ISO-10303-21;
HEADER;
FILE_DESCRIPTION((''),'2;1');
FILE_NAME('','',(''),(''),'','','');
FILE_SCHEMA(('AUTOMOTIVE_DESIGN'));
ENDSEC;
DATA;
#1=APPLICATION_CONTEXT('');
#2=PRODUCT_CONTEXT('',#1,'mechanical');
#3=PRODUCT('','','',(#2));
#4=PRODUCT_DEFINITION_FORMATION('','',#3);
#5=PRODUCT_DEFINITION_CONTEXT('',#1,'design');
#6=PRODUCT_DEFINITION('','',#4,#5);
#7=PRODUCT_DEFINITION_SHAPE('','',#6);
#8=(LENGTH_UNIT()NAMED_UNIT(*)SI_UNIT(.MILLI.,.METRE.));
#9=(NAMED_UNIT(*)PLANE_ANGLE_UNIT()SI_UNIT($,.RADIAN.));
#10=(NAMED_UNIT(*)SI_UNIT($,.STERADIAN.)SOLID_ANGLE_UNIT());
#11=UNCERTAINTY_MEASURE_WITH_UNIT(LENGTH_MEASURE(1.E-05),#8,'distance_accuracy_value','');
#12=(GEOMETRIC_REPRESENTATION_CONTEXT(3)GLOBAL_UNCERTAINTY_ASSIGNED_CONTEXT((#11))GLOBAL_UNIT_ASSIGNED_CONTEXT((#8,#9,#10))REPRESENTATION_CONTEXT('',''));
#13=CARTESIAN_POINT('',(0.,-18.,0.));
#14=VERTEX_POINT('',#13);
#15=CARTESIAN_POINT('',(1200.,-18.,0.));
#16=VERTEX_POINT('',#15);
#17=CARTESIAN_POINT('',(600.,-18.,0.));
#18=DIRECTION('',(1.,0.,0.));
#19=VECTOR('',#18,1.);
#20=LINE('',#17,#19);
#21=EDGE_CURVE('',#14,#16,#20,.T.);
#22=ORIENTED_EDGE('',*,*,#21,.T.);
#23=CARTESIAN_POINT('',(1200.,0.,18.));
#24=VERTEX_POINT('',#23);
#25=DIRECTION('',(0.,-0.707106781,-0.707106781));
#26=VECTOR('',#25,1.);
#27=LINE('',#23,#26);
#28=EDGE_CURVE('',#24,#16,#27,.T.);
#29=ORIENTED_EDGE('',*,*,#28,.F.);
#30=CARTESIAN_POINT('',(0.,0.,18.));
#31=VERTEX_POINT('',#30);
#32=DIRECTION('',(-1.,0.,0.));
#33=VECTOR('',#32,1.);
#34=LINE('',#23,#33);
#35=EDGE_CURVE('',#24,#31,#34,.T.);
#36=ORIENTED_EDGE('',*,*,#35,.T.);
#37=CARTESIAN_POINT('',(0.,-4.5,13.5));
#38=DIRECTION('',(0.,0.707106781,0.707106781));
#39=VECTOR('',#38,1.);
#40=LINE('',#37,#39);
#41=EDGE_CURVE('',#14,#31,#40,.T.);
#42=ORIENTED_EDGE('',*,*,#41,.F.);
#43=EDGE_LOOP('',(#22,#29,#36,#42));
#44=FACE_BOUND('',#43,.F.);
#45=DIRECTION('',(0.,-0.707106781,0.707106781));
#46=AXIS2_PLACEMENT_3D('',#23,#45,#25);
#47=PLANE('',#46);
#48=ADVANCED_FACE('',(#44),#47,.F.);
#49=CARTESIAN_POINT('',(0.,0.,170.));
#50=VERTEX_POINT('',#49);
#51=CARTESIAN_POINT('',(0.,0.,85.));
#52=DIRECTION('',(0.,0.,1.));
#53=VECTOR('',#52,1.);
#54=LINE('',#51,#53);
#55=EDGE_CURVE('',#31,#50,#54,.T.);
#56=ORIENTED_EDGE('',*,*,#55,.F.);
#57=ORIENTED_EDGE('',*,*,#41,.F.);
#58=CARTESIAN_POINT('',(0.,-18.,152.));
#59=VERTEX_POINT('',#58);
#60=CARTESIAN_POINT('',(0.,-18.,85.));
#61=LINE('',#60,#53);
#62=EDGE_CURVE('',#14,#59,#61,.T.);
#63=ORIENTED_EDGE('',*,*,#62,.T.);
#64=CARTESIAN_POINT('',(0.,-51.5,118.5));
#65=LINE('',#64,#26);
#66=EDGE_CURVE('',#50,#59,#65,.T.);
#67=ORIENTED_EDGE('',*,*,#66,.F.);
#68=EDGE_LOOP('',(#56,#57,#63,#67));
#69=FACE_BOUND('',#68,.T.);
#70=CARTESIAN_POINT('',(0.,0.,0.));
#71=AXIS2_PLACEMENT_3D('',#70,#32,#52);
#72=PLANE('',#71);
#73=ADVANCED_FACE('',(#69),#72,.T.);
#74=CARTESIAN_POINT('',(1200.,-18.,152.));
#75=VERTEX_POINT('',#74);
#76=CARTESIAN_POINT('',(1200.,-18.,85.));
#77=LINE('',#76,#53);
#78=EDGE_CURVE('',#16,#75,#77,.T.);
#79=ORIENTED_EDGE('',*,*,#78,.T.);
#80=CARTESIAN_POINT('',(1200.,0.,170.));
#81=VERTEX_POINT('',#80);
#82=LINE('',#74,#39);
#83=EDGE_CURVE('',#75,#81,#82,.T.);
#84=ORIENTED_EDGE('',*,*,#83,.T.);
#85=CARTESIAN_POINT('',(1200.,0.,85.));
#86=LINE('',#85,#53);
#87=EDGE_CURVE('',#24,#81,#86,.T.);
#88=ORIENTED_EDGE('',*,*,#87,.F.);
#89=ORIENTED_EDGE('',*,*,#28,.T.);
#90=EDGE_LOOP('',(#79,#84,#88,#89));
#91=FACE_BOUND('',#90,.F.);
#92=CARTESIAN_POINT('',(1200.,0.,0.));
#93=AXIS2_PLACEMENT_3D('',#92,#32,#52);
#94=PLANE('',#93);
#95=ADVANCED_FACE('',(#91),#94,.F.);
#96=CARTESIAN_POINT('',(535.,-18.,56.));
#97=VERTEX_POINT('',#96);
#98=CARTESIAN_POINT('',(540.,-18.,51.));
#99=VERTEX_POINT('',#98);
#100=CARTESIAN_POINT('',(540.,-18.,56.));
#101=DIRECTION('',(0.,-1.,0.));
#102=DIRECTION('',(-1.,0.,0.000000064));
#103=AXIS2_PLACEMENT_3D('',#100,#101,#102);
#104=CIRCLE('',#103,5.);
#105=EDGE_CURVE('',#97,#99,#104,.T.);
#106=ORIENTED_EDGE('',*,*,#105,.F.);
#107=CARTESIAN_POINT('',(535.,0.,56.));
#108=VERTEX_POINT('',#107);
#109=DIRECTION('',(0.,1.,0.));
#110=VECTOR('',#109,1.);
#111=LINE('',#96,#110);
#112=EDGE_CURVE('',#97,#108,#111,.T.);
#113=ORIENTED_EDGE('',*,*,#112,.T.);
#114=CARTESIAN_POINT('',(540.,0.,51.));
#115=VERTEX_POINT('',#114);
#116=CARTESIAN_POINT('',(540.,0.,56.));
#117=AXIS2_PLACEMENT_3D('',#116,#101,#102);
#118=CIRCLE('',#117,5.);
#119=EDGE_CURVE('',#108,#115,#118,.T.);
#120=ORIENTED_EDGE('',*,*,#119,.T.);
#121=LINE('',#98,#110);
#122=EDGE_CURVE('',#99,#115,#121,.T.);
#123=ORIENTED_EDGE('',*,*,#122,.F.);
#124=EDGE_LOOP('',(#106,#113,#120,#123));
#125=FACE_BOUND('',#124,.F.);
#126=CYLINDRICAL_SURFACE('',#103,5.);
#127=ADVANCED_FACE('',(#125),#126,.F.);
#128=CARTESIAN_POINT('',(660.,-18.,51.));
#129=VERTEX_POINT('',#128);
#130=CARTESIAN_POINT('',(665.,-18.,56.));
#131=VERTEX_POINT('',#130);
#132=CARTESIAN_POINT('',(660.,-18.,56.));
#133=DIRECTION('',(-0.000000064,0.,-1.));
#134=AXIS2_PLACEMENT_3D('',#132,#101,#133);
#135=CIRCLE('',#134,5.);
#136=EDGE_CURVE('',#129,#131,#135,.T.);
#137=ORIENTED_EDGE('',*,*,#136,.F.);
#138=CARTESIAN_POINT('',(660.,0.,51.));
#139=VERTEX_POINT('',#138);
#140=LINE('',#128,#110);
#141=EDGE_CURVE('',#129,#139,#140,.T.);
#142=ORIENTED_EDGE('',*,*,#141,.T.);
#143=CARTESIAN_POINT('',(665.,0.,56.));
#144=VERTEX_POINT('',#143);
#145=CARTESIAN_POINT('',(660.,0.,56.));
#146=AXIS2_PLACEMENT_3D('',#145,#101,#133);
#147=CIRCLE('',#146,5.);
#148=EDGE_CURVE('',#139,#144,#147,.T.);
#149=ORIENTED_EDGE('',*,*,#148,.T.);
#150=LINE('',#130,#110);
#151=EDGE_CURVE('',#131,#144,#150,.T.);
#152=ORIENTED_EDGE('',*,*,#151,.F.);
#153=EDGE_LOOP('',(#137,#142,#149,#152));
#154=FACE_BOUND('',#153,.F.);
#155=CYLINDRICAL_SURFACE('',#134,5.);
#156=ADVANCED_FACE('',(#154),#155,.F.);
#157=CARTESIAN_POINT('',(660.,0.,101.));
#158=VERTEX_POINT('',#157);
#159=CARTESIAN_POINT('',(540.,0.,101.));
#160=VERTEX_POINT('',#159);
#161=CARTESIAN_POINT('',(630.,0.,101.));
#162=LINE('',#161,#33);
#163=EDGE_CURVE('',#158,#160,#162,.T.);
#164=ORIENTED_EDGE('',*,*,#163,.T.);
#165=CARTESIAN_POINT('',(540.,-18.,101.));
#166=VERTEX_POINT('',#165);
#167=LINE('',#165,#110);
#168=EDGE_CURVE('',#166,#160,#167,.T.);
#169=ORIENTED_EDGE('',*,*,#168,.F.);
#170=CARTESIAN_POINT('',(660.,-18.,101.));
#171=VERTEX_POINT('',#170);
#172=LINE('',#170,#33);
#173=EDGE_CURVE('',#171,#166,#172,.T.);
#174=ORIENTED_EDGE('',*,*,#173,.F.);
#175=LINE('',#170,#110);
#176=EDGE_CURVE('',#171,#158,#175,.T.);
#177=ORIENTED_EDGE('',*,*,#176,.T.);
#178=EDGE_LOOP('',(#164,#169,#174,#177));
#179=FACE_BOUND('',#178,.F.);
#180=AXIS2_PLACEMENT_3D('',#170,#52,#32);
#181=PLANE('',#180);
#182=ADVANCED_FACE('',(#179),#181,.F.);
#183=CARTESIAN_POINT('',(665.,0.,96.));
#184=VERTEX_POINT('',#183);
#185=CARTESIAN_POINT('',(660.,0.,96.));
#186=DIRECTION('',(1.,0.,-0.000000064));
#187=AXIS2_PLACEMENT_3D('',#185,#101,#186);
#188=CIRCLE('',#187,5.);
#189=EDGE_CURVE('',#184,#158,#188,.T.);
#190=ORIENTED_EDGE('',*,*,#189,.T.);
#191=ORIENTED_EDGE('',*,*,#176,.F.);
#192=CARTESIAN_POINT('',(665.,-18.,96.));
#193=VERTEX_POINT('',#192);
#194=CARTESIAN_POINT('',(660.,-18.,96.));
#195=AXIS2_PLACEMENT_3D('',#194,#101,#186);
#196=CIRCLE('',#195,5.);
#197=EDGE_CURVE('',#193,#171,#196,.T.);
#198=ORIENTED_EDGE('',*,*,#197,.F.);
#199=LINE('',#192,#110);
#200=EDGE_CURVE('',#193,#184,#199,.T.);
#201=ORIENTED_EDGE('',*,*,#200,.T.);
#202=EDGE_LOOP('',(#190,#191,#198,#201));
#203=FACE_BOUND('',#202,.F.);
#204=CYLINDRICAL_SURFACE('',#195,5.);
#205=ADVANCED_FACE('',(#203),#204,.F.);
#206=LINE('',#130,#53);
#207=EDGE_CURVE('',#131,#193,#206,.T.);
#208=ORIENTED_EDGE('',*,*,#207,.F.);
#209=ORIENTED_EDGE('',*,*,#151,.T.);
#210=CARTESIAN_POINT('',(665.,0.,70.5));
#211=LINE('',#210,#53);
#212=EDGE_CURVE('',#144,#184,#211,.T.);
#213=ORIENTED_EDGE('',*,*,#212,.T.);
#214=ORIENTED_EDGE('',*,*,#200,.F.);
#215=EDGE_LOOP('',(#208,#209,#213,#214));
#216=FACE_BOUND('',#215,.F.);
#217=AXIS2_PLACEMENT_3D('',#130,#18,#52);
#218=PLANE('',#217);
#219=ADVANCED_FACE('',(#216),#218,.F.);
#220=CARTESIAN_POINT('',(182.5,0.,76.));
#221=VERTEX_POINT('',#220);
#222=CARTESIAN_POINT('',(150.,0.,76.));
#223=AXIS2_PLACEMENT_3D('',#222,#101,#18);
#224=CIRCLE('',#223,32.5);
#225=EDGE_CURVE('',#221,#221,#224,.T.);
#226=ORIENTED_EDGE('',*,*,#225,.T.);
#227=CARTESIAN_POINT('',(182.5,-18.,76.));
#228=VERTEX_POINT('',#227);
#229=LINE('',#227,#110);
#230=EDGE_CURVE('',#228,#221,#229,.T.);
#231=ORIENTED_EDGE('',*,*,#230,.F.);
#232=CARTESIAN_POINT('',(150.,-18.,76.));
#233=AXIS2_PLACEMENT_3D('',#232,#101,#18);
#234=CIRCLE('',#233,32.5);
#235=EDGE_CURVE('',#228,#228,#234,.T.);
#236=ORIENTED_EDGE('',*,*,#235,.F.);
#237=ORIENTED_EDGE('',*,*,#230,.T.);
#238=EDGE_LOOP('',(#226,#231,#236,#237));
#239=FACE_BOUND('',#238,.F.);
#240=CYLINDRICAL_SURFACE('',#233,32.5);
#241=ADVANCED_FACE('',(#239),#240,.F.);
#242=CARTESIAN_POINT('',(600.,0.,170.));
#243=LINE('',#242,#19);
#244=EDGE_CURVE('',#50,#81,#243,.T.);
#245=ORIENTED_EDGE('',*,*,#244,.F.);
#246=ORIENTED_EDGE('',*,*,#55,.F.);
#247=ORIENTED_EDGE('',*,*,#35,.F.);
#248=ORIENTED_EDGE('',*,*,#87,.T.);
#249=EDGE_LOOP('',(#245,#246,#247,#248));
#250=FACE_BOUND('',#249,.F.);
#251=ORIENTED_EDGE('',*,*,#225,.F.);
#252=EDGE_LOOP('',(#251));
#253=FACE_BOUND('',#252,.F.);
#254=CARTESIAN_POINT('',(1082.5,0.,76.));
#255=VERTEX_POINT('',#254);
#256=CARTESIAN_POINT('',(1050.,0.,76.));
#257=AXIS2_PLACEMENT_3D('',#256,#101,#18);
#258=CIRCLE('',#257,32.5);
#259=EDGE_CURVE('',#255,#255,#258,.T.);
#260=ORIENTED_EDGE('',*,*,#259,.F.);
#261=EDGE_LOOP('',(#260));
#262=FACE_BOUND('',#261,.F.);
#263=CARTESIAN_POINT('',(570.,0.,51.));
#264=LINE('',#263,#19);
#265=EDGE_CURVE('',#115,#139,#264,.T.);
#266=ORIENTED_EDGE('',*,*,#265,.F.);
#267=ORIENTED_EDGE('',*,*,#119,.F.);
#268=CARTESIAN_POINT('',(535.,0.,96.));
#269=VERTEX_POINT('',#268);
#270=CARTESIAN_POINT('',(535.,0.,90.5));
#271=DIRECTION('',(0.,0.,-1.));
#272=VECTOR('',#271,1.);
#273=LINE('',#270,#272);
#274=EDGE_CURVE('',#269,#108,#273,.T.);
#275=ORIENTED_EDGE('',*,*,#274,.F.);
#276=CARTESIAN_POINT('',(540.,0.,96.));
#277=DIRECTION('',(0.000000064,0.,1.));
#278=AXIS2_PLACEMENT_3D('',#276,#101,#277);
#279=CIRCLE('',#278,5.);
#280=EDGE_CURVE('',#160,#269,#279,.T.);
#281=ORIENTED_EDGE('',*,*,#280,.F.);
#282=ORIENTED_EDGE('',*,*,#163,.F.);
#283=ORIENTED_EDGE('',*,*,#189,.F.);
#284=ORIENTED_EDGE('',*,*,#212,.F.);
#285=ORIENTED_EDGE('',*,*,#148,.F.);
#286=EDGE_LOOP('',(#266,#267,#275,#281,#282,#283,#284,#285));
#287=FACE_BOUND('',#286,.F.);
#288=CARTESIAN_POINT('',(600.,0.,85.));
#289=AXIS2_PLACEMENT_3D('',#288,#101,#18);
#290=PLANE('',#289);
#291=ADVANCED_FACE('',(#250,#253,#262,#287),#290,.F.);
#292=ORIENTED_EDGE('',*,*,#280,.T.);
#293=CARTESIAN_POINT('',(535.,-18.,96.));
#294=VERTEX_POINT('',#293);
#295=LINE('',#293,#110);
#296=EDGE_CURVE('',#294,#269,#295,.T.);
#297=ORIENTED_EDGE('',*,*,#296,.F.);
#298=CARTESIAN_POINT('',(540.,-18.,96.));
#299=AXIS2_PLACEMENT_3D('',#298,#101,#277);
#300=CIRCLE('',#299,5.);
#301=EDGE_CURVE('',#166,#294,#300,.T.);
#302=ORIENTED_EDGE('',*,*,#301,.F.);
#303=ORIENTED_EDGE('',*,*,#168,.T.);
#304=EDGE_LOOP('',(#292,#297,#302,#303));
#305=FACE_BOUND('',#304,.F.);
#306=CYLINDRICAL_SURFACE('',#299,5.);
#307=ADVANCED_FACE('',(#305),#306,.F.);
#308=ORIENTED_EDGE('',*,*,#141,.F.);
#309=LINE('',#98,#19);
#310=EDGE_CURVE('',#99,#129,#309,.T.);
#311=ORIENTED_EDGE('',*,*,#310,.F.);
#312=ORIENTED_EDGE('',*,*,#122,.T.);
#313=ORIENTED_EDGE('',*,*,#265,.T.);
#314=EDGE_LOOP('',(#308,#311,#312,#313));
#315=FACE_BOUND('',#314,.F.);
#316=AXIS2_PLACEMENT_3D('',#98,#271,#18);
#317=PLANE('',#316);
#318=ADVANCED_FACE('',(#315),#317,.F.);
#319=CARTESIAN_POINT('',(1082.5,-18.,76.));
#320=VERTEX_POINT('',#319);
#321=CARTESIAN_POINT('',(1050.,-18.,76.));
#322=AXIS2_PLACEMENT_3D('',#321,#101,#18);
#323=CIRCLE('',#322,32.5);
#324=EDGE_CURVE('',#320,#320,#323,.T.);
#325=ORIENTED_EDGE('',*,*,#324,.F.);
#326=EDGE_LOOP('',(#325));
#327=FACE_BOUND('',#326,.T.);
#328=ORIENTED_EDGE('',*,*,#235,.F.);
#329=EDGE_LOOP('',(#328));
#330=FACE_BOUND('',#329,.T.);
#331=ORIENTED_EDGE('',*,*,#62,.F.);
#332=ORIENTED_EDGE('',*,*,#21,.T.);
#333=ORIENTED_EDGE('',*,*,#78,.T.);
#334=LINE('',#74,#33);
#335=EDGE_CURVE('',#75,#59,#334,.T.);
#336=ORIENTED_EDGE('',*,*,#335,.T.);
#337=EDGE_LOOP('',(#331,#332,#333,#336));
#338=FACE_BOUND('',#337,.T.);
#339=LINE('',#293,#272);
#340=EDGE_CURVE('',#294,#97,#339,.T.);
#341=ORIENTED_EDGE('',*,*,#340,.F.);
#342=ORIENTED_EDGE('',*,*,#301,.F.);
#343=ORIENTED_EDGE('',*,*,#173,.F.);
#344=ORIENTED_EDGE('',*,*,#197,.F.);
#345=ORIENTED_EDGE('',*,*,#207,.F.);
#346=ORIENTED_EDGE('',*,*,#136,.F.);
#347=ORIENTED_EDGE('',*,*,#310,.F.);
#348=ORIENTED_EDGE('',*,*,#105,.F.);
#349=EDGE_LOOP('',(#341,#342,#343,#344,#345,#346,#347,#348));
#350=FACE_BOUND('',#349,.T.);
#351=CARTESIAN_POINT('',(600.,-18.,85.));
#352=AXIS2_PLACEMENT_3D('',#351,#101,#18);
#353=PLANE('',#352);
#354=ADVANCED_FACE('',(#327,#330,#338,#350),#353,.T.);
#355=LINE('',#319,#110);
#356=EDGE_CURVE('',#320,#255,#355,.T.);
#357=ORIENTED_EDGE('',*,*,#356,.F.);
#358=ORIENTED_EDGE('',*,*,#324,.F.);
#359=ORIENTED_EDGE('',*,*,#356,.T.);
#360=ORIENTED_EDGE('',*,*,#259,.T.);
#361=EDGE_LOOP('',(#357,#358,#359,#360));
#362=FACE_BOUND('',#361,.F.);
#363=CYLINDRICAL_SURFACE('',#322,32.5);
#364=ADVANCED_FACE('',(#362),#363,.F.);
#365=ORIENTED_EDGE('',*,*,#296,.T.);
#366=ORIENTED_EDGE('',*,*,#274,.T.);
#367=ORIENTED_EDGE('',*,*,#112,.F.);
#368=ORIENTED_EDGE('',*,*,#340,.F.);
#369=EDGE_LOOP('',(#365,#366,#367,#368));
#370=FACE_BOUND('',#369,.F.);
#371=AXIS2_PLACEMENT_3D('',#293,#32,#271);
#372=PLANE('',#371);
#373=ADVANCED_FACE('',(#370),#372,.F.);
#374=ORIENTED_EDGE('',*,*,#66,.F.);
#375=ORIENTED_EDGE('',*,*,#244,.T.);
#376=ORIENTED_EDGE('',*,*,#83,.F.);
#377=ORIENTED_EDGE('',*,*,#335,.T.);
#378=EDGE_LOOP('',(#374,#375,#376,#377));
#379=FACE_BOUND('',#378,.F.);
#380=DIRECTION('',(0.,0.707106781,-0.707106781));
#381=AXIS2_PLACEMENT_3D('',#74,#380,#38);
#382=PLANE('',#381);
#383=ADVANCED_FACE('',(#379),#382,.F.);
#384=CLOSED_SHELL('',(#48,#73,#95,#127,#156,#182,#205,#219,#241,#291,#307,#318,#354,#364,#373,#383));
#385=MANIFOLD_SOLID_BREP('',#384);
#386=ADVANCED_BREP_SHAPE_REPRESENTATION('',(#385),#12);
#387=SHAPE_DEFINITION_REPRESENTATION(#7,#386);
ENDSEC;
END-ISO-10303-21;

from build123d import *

# Parameters (mm, degrees)
F0_W     = 1200
F0_H     = 170
F1_DEPTH = 18
F3_DEPTH = 1200.001
F4_R     = 32.5
F5_DEPTH = 18.001


with BuildPart() as f1:
    # F0 (on Front) → F1 (new body)
    with BuildSketch(Plane.XZ):
        with Locations((600, 85)):
            Rectangle(F0_W, F0_H)
    extrude(amount=F1_DEPTH)

    # F2 (on face) → F3 (cut, through all)
    with BuildSketch(Plane.YZ.offset(1200)):
        Polygon((-18, 152), (0, 170), (-18, 170), align=None)
        Polygon((-18, 0), (0, 0), (0, 18), align=None)
    extrude(amount=-F3_DEPTH, mode=Mode.SUBTRACT)

    # F4 (on face) → F5 (cut, through all)
    with BuildSketch(Plane.XZ.offset(18)):
        with Locations((150, 76)):
            Circle(F4_R)
        with Locations((1050, 76)):
            Circle(F4_R)
        with BuildLine():
            Line((540, 51), (660, 51))
            ThreePointArc((660, 51), (663.535534, 52.464466), (665, 56))
            Line((665, 56), (665, 96))
            ThreePointArc((665, 96), (663.535534, 99.535534), (660, 101))
            Line((660, 101), (540, 101))
            ThreePointArc((540, 101), (536.464466, 99.535534), (535, 96))
            Line((535, 96), (535, 56))
            ThreePointArc((535, 56), (536.464466, 52.464466), (540, 51))
        make_face()
    extrude(amount=-F5_DEPTH, mode=Mode.SUBTRACT)


solid = f1.part
